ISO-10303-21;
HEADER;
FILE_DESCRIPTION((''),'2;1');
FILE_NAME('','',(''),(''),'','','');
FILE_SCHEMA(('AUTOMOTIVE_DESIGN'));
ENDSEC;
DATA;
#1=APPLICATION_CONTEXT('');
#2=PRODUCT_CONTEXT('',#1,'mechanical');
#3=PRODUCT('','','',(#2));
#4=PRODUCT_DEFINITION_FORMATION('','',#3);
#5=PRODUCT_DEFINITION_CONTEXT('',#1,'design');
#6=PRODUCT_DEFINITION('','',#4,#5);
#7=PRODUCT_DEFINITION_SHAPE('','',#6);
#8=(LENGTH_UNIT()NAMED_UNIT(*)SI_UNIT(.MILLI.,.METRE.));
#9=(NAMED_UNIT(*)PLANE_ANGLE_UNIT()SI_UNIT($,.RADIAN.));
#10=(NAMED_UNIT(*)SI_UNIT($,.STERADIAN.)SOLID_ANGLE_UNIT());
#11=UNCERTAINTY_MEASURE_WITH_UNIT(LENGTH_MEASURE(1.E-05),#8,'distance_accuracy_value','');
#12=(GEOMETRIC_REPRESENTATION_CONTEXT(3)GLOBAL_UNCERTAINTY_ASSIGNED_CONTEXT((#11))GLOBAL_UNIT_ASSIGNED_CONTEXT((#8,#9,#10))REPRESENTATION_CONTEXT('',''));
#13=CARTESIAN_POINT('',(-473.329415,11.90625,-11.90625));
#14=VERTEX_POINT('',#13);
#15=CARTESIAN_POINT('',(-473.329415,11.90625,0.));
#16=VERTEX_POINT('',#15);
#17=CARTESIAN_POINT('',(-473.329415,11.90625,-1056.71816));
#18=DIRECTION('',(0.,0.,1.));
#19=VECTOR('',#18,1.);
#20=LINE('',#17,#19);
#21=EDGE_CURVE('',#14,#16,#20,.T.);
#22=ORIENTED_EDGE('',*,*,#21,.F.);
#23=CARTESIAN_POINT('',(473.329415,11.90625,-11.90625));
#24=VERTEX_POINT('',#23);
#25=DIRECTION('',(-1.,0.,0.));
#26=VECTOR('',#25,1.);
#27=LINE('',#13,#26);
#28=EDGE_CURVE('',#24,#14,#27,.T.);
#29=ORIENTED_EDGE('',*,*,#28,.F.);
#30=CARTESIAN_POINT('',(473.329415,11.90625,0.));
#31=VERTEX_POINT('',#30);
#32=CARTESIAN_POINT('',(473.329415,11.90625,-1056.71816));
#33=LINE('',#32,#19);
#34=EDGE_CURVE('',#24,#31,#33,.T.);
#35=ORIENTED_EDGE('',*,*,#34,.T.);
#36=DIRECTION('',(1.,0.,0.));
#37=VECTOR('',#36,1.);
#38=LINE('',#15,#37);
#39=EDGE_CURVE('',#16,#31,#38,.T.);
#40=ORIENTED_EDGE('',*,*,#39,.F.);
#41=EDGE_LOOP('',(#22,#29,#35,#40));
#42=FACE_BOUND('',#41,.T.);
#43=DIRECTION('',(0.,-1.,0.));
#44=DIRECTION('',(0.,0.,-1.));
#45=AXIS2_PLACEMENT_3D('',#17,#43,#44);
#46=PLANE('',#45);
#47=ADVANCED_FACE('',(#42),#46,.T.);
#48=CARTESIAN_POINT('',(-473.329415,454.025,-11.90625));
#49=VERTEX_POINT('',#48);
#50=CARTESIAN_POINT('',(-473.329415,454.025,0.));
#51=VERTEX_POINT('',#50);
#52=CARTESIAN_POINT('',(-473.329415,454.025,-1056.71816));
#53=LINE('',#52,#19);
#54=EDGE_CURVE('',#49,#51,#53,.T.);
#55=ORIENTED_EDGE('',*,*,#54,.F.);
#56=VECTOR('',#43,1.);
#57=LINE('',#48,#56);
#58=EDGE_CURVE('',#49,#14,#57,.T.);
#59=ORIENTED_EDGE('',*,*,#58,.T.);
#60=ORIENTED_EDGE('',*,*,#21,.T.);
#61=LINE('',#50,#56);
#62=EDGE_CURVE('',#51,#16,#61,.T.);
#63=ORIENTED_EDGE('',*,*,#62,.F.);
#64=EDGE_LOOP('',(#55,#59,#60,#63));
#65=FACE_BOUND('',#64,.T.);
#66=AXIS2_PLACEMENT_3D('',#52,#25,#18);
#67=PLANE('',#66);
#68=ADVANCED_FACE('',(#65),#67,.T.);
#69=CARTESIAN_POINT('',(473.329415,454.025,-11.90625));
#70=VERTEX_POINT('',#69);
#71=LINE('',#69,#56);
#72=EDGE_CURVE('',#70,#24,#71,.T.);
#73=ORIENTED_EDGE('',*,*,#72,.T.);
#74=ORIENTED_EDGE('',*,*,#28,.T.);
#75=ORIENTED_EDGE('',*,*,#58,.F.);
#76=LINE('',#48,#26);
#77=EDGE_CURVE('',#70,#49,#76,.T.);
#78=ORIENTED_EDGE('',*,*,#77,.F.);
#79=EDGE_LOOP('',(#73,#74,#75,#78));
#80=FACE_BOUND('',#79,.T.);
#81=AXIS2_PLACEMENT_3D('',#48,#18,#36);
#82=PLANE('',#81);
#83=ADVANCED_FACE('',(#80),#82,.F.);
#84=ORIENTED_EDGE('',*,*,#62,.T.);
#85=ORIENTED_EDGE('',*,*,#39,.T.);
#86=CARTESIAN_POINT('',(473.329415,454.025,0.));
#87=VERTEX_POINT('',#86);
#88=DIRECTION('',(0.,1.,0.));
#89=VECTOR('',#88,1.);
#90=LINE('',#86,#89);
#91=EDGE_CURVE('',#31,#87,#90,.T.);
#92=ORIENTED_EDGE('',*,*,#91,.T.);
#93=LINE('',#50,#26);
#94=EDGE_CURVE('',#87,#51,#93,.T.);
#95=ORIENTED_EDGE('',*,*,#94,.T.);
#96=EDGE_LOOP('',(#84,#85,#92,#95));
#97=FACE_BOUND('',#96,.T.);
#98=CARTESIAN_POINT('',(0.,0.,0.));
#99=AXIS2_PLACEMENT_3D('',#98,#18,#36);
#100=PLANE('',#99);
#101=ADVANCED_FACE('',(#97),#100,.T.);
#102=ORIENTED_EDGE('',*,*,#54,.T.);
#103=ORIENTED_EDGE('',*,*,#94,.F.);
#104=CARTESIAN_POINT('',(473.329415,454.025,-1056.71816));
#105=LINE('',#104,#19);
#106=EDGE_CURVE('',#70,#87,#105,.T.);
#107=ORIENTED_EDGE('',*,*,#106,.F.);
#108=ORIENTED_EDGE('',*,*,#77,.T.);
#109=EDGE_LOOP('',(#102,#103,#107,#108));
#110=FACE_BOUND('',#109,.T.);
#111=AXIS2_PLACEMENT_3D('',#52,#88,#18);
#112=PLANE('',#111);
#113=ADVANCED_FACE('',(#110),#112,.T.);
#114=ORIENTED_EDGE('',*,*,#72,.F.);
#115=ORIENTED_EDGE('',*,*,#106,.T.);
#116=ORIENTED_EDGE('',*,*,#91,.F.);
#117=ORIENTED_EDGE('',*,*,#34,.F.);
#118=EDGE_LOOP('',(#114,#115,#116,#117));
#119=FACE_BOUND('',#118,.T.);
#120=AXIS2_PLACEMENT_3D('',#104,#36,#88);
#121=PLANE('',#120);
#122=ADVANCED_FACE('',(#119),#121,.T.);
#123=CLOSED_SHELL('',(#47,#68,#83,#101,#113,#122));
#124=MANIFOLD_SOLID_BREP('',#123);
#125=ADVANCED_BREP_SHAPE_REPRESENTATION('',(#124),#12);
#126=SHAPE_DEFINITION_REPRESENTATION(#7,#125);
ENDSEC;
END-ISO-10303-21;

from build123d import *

# Parameters (mm, degrees)
SKETCH1_W           = 946.658829024
SKETCH1_H           = 442.11875
BOSS_EXTRUDE1_DEPTH = 11.90625


with BuildPart() as part:
    # Sketch1 → Boss-Extrude1 (new body)
    with BuildSketch(Plane.XY):
        with Locations((0, 232.965625)):
            Rectangle(SKETCH1_W, SKETCH1_H)
    extrude(amount=-BOSS_EXTRUDE1_DEPTH)


solid = part.part
